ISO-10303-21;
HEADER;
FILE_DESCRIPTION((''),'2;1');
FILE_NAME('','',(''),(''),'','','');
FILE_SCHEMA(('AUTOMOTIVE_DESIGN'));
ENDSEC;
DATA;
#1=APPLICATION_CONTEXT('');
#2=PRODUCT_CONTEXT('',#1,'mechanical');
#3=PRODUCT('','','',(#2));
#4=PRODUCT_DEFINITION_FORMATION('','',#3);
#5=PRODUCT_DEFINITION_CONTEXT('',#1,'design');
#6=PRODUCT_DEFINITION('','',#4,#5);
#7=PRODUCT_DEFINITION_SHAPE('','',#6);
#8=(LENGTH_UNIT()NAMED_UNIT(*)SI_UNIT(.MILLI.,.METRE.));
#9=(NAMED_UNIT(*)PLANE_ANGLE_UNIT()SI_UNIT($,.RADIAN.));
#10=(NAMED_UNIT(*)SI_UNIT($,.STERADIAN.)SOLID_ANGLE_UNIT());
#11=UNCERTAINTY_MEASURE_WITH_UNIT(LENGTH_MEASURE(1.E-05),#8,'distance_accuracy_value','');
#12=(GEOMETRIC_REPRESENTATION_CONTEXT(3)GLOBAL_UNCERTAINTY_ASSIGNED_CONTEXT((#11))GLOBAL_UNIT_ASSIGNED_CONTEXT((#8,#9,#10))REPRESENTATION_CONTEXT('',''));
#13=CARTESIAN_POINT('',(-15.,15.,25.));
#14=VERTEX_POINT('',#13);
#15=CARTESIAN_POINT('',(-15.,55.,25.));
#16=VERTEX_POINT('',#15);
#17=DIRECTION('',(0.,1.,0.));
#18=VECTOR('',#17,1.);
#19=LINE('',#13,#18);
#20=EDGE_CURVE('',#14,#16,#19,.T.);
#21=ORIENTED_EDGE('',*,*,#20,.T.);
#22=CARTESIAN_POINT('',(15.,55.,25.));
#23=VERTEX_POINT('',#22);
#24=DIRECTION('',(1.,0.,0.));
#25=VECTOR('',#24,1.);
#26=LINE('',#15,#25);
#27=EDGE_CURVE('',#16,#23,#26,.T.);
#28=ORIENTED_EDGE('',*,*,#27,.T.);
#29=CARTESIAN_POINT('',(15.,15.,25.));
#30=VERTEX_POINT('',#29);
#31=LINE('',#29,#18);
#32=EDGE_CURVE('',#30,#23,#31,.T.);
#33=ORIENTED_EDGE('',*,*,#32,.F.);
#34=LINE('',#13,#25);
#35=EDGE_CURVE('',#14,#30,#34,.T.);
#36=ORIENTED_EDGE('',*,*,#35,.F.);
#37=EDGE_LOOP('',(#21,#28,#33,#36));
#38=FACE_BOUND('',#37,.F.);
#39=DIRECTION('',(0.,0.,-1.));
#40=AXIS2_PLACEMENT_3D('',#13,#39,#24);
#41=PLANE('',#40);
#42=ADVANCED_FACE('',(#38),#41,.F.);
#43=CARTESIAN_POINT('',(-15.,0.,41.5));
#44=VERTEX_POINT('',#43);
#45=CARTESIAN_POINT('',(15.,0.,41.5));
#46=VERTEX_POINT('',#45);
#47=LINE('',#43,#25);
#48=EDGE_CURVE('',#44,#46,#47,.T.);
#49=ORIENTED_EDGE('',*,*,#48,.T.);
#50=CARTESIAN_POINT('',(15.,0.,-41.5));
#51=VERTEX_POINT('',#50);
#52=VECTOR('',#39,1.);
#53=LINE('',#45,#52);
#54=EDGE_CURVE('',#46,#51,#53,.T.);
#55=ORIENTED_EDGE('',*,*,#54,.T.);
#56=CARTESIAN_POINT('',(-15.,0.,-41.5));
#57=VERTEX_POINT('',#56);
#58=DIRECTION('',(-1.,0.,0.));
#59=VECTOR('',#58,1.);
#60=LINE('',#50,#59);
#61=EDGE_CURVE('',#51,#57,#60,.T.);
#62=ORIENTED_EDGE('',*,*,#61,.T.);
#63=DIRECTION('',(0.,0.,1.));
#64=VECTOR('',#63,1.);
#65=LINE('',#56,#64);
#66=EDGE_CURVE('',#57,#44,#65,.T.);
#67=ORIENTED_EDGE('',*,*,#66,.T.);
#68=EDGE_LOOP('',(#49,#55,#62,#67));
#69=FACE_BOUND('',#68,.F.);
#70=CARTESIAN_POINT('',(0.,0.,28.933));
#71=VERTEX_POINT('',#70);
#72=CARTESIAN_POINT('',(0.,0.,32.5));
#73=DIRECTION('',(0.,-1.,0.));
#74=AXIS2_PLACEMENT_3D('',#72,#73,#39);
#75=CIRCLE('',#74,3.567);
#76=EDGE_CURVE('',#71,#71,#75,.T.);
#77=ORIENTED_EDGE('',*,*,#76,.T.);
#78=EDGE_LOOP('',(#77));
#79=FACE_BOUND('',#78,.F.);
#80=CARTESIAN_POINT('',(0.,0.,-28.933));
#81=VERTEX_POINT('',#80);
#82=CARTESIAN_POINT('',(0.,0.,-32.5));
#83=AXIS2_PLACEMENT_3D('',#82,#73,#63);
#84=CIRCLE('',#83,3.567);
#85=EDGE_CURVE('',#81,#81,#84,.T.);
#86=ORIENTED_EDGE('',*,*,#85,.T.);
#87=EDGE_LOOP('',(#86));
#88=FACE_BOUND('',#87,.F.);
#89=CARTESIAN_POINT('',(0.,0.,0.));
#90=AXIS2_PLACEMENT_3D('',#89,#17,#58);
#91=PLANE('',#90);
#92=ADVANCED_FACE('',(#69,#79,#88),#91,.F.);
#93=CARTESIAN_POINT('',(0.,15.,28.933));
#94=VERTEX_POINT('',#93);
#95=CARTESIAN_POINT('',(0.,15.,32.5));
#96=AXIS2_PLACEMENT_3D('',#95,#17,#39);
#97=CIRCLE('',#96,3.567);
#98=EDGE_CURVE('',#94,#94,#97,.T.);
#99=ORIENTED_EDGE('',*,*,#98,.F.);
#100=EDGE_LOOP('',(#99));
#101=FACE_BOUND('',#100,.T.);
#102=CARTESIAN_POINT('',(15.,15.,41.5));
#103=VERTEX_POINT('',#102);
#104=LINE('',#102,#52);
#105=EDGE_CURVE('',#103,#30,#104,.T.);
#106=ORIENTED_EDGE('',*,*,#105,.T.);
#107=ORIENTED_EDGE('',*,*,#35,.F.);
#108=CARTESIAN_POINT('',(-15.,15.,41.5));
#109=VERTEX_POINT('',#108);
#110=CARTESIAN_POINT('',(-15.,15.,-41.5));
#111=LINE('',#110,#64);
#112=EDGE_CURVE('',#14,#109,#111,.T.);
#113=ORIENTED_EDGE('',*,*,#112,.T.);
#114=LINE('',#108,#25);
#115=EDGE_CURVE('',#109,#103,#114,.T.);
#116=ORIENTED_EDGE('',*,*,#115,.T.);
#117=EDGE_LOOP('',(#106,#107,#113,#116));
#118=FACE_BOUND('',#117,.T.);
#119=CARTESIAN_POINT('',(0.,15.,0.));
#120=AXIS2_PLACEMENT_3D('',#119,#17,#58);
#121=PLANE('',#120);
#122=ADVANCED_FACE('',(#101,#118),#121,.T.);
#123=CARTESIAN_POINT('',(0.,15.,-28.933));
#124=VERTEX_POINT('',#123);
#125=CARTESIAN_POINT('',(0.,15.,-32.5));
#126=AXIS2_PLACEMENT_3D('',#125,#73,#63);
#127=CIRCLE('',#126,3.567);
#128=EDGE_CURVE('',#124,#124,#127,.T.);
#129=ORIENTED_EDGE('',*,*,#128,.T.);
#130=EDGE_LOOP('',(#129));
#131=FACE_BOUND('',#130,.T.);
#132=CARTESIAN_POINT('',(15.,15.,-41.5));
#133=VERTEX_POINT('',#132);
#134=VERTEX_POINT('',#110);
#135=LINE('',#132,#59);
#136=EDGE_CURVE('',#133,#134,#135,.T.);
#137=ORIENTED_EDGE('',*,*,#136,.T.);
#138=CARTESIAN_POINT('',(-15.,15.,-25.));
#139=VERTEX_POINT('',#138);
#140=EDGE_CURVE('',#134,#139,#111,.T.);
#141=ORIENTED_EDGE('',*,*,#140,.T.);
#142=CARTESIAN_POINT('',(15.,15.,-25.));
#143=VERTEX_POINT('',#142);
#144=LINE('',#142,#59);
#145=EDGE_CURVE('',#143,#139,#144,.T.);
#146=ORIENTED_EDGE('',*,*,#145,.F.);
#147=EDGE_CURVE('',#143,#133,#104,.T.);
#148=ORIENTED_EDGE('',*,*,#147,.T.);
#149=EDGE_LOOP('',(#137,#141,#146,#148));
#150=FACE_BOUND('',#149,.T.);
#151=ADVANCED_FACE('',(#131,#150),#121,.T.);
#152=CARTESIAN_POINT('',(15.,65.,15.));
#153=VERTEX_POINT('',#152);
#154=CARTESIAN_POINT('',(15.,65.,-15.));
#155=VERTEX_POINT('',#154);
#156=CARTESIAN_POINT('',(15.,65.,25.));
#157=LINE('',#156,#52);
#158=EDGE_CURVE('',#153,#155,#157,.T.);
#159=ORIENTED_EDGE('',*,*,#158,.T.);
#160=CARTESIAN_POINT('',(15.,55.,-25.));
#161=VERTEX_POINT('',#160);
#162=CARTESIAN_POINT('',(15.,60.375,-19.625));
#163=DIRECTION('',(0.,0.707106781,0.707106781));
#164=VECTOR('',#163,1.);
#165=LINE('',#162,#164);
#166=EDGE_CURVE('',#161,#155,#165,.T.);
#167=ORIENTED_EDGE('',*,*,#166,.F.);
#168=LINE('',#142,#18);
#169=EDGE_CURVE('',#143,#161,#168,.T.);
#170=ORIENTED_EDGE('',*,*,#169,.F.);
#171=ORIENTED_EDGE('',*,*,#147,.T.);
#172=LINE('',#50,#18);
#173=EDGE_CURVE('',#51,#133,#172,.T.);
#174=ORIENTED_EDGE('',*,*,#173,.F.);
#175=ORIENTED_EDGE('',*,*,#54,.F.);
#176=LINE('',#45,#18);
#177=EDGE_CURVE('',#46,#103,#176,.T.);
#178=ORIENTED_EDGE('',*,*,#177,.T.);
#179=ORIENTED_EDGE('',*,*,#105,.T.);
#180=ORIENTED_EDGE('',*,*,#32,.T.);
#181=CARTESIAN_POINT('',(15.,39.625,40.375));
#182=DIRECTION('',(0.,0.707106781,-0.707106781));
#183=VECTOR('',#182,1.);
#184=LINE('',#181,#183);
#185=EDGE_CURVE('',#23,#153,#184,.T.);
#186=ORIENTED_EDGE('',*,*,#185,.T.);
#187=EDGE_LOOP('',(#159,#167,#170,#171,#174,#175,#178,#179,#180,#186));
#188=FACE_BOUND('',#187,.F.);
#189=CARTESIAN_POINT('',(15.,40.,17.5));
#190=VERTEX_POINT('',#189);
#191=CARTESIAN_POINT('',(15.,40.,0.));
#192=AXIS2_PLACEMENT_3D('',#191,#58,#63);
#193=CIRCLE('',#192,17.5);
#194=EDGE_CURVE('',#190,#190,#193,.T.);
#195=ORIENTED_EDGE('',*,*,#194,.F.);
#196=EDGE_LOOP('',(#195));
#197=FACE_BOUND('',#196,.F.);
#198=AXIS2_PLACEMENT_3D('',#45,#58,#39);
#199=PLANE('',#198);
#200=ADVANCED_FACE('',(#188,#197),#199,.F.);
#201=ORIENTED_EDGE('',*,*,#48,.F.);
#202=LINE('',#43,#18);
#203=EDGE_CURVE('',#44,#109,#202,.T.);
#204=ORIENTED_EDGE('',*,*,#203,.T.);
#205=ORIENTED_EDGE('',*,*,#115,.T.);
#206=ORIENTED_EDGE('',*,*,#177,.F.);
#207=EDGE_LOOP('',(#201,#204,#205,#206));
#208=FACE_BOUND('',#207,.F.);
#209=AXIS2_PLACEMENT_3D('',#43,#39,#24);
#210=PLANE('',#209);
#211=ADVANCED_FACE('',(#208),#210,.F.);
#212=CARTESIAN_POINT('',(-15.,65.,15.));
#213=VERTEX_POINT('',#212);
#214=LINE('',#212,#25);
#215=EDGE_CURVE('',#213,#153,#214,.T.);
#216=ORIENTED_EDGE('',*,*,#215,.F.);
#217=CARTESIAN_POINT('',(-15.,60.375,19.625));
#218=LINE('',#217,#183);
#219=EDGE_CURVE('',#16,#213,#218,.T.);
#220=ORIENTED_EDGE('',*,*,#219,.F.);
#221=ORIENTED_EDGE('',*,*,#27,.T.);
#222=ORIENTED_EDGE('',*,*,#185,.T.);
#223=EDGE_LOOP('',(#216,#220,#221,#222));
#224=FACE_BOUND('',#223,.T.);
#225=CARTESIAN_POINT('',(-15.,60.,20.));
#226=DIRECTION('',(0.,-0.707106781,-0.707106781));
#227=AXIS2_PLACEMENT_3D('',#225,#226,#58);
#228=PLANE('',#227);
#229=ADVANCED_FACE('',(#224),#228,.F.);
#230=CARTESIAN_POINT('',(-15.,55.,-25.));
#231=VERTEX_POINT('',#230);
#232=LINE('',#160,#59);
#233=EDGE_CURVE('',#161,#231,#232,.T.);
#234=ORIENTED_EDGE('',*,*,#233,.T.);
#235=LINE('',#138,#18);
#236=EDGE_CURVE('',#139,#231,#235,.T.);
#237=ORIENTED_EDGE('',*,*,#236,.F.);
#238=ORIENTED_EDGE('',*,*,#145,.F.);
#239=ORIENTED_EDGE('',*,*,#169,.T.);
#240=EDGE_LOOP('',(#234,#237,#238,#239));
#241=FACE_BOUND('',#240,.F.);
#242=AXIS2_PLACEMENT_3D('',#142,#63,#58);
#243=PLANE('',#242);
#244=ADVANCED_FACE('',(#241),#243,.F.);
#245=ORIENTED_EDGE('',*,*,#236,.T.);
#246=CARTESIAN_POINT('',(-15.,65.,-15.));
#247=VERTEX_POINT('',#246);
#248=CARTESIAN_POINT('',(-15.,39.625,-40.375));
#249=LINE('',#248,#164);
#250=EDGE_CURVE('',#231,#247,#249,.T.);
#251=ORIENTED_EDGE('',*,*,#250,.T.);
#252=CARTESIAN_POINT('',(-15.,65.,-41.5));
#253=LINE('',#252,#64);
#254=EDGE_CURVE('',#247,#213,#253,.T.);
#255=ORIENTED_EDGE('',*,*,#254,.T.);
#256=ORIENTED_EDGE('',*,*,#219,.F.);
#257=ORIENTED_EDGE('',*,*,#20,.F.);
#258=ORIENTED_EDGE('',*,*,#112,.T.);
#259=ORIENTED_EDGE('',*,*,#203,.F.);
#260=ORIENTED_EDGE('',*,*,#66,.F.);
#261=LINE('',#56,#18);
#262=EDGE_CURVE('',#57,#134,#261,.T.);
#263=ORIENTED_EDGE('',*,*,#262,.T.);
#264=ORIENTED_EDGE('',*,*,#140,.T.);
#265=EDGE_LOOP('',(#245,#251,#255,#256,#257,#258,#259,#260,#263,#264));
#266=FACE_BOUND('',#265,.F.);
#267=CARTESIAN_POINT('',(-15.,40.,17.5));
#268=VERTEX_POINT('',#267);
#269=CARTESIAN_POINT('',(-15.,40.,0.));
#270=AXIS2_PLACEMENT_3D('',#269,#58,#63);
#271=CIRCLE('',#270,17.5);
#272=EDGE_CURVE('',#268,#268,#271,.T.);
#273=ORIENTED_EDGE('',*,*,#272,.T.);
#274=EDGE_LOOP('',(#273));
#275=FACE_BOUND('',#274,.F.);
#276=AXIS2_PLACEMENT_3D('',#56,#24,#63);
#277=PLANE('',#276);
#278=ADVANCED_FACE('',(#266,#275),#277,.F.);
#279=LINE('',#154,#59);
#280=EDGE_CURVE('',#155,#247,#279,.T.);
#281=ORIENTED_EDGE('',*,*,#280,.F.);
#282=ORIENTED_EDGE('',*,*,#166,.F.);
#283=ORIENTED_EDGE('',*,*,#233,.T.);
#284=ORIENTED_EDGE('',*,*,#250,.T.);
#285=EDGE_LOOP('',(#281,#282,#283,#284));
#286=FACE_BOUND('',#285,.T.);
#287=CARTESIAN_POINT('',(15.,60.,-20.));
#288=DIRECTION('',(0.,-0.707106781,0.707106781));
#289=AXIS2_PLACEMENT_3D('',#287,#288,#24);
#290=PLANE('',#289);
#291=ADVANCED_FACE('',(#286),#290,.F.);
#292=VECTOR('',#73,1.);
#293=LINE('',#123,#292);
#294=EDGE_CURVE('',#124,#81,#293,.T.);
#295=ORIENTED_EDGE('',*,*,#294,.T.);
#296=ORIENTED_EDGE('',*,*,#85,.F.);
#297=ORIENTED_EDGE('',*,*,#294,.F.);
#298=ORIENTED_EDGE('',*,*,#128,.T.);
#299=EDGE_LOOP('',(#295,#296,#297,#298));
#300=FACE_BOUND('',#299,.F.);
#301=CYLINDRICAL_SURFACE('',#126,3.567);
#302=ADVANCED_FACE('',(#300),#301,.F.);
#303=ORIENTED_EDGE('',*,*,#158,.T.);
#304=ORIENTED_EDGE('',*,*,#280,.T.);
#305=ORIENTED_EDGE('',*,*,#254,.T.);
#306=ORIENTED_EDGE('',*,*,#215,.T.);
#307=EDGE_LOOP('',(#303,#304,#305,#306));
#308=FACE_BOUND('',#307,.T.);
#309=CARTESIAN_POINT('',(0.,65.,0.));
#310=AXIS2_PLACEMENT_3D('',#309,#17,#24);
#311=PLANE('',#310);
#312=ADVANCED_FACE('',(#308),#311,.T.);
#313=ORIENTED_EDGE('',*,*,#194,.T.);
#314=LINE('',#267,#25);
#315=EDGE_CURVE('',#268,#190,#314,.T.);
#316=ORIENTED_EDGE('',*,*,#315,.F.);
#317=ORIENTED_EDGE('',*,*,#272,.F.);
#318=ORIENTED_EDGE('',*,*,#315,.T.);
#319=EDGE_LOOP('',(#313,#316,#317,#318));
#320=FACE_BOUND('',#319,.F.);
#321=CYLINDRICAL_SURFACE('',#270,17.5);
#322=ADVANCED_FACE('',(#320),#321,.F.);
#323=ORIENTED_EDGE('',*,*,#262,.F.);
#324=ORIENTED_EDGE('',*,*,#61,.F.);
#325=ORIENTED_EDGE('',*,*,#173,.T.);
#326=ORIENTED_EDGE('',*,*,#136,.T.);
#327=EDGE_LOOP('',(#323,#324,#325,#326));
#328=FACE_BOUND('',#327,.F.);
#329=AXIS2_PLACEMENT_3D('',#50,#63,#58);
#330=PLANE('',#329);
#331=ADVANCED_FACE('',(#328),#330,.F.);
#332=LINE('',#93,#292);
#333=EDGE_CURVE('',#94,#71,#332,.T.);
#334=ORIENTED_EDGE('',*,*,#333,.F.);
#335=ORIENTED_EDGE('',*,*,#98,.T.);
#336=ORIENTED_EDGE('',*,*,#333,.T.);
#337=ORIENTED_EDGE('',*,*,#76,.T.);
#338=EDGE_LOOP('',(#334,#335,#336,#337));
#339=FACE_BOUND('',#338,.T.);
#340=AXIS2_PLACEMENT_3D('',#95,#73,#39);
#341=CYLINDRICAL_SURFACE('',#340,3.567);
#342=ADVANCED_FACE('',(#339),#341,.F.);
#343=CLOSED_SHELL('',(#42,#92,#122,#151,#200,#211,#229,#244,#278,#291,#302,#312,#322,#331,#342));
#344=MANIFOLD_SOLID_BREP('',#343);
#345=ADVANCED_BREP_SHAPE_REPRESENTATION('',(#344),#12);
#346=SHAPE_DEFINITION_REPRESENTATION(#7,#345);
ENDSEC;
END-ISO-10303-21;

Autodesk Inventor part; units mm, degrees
ref_plane "YZ Plane" through (0, 0, 0) normal (1, 0, 0) x (0, 1, 0)
ref_plane "XZ Plane" through (0, 0, 0) normal (0, 1, 0) x (-1, 0, 0)
ref_plane "XY Plane" through (0, 0, 0) normal (0, 0, 1) x (1, 0, 0)
sketch "Sketch1" plane through (0, 0, 0) normal (0, 1, 0) x (-1, 0, 0)
  line L0 (-15, -41.5) -> (15, -41.5)
  line L1 (15, -41.5) -> (15, 41.5)
  line L2 (15, 41.5) -> (-15, 41.5)
  line L3 (-15, 41.5) -> (-15, -41.5)
  line L4 (-15, -41.5) -> (15, 41.5) construction
  line L5 (15, -41.5) -> (-15, 41.5) construction
  point P0 (0, 0)
  dimension "d0" = 30
  dimension "d1" = 83
extrude "Extrusion1" add sketch "Sketch1" along normal blind 15
sketch "Sketch2" plane through (0, 15, 0) normal (0, 1, 0) x (1, 0, 0)
  line L0 (-15, 41.5) -> (-15, -41.5) projected
  line L1 (15, 25) -> (-15, 25)
  line L2 (-15, 25) -> (-15, -25)
  line L3 (-15, -25) -> (15, -25)
  line L4 (15, -25) -> (15, 25)
  line L5 (15, 25) -> (-15, -25) construction
  line L6 (-15, 25) -> (15, -25) construction
  point P0 (0, 0)
  point P1 (-15, 25)
  dimension "d4" = 50
extrude "Extrusion2" add sketch "Sketch2" along normal blind 50
chamfer "Chamfer1" distance 10 angle 45 2 edges at (0, 65, 25) (0, 65, -25)
sketch "Sketch3" plane through (0, 15, 0) normal (0, 1, 0) x (1, 0, 0)
  line L0 (-15, 41.5) -> (-15, 25) projected
  line L1 (15, 41.5) -> (-15, 41.5) projected
  point P0 (0, 0)
  point P1 (0, 32.5)
  point P2 (-15, 33.25)
  dimension "d10" = 15
  dimension "d11" = 9
hole "Hole1" at (0, 15, -32.5) direction (0, -1, 0) diameter 7.134 end through all thread size "M8x0.8" class "6H" standard "ISO Metric profile"
mirror "Mirror1" about plane through (0, 0, 0) normal (0, 0, 1) of "Hole1"
sketch "Sketch4" plane through (-15, 0, -41.5) normal (-1, 0, 0) x (0, 0, 1)
  circle A0 centre (41.5, 40) radius 17.5
  line L0 (26.5, 65) -> (56.5, 65) projected
  line L1 (66.5, 15) -> (66.5, 55) projected
  point P0 (41.5, 0)
  dimension "d19" = 35
  dimension "d20" = 25
  dimension "d21" = 25
extrude "Extrusion3" cut sketch "Sketch4" against normal blind 50
properties part number "Pillow_block" material "Brass, Soft Yellow"
